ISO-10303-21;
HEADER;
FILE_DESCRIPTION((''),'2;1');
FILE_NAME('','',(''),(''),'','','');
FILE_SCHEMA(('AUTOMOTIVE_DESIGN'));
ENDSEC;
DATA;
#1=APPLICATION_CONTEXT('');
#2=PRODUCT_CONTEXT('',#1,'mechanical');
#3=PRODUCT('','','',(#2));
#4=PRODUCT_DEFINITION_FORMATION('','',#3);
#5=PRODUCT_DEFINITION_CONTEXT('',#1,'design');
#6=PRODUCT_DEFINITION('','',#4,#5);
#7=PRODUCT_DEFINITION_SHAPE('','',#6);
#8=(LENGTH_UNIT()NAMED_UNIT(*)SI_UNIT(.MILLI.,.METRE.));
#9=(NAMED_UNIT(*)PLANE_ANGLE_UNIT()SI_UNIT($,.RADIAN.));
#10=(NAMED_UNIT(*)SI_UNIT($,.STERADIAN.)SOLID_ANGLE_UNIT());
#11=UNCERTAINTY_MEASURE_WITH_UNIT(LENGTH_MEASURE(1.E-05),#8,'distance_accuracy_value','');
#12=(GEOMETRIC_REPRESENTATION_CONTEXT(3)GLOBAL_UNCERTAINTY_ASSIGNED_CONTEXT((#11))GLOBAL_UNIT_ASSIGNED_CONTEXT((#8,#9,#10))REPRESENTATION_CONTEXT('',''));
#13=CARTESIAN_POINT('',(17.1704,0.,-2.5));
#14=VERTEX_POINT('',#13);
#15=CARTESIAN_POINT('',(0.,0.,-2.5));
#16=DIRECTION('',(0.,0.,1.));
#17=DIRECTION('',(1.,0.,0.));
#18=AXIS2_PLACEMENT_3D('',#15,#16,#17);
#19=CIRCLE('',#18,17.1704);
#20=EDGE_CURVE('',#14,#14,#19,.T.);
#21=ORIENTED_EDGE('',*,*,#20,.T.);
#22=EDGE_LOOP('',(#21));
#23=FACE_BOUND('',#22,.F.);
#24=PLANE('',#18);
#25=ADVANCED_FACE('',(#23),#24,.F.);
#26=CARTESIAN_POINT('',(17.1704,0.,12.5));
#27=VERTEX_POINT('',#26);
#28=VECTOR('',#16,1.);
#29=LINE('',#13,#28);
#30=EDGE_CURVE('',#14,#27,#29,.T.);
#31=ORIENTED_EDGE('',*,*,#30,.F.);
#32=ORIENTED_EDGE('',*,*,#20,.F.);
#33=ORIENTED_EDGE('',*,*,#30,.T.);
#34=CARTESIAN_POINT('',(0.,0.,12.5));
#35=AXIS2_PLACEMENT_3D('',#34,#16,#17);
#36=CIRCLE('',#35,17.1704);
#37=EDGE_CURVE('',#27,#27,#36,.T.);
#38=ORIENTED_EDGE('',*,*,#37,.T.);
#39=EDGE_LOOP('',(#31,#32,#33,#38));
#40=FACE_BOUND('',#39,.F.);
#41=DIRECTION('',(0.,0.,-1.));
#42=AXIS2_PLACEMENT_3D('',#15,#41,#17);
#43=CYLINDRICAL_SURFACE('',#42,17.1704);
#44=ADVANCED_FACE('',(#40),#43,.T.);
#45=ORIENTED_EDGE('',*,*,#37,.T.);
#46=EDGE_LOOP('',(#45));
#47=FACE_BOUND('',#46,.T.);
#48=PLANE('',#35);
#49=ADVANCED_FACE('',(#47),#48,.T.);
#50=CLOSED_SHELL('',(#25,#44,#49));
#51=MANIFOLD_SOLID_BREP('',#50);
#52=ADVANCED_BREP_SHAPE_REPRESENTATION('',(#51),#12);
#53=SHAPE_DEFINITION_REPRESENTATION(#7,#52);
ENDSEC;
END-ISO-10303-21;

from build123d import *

# Parameters (mm, degrees)
CYLINDER_R     = 17.1704
CYLINDER_DEPTH = 15


with BuildPart() as part:
    # Cylinder → Cylinder (new body)
    with BuildSketch(Plane.XY.offset(-2.5)):
        Circle(CYLINDER_R)
    extrude(amount=CYLINDER_DEPTH)


solid = part.part
